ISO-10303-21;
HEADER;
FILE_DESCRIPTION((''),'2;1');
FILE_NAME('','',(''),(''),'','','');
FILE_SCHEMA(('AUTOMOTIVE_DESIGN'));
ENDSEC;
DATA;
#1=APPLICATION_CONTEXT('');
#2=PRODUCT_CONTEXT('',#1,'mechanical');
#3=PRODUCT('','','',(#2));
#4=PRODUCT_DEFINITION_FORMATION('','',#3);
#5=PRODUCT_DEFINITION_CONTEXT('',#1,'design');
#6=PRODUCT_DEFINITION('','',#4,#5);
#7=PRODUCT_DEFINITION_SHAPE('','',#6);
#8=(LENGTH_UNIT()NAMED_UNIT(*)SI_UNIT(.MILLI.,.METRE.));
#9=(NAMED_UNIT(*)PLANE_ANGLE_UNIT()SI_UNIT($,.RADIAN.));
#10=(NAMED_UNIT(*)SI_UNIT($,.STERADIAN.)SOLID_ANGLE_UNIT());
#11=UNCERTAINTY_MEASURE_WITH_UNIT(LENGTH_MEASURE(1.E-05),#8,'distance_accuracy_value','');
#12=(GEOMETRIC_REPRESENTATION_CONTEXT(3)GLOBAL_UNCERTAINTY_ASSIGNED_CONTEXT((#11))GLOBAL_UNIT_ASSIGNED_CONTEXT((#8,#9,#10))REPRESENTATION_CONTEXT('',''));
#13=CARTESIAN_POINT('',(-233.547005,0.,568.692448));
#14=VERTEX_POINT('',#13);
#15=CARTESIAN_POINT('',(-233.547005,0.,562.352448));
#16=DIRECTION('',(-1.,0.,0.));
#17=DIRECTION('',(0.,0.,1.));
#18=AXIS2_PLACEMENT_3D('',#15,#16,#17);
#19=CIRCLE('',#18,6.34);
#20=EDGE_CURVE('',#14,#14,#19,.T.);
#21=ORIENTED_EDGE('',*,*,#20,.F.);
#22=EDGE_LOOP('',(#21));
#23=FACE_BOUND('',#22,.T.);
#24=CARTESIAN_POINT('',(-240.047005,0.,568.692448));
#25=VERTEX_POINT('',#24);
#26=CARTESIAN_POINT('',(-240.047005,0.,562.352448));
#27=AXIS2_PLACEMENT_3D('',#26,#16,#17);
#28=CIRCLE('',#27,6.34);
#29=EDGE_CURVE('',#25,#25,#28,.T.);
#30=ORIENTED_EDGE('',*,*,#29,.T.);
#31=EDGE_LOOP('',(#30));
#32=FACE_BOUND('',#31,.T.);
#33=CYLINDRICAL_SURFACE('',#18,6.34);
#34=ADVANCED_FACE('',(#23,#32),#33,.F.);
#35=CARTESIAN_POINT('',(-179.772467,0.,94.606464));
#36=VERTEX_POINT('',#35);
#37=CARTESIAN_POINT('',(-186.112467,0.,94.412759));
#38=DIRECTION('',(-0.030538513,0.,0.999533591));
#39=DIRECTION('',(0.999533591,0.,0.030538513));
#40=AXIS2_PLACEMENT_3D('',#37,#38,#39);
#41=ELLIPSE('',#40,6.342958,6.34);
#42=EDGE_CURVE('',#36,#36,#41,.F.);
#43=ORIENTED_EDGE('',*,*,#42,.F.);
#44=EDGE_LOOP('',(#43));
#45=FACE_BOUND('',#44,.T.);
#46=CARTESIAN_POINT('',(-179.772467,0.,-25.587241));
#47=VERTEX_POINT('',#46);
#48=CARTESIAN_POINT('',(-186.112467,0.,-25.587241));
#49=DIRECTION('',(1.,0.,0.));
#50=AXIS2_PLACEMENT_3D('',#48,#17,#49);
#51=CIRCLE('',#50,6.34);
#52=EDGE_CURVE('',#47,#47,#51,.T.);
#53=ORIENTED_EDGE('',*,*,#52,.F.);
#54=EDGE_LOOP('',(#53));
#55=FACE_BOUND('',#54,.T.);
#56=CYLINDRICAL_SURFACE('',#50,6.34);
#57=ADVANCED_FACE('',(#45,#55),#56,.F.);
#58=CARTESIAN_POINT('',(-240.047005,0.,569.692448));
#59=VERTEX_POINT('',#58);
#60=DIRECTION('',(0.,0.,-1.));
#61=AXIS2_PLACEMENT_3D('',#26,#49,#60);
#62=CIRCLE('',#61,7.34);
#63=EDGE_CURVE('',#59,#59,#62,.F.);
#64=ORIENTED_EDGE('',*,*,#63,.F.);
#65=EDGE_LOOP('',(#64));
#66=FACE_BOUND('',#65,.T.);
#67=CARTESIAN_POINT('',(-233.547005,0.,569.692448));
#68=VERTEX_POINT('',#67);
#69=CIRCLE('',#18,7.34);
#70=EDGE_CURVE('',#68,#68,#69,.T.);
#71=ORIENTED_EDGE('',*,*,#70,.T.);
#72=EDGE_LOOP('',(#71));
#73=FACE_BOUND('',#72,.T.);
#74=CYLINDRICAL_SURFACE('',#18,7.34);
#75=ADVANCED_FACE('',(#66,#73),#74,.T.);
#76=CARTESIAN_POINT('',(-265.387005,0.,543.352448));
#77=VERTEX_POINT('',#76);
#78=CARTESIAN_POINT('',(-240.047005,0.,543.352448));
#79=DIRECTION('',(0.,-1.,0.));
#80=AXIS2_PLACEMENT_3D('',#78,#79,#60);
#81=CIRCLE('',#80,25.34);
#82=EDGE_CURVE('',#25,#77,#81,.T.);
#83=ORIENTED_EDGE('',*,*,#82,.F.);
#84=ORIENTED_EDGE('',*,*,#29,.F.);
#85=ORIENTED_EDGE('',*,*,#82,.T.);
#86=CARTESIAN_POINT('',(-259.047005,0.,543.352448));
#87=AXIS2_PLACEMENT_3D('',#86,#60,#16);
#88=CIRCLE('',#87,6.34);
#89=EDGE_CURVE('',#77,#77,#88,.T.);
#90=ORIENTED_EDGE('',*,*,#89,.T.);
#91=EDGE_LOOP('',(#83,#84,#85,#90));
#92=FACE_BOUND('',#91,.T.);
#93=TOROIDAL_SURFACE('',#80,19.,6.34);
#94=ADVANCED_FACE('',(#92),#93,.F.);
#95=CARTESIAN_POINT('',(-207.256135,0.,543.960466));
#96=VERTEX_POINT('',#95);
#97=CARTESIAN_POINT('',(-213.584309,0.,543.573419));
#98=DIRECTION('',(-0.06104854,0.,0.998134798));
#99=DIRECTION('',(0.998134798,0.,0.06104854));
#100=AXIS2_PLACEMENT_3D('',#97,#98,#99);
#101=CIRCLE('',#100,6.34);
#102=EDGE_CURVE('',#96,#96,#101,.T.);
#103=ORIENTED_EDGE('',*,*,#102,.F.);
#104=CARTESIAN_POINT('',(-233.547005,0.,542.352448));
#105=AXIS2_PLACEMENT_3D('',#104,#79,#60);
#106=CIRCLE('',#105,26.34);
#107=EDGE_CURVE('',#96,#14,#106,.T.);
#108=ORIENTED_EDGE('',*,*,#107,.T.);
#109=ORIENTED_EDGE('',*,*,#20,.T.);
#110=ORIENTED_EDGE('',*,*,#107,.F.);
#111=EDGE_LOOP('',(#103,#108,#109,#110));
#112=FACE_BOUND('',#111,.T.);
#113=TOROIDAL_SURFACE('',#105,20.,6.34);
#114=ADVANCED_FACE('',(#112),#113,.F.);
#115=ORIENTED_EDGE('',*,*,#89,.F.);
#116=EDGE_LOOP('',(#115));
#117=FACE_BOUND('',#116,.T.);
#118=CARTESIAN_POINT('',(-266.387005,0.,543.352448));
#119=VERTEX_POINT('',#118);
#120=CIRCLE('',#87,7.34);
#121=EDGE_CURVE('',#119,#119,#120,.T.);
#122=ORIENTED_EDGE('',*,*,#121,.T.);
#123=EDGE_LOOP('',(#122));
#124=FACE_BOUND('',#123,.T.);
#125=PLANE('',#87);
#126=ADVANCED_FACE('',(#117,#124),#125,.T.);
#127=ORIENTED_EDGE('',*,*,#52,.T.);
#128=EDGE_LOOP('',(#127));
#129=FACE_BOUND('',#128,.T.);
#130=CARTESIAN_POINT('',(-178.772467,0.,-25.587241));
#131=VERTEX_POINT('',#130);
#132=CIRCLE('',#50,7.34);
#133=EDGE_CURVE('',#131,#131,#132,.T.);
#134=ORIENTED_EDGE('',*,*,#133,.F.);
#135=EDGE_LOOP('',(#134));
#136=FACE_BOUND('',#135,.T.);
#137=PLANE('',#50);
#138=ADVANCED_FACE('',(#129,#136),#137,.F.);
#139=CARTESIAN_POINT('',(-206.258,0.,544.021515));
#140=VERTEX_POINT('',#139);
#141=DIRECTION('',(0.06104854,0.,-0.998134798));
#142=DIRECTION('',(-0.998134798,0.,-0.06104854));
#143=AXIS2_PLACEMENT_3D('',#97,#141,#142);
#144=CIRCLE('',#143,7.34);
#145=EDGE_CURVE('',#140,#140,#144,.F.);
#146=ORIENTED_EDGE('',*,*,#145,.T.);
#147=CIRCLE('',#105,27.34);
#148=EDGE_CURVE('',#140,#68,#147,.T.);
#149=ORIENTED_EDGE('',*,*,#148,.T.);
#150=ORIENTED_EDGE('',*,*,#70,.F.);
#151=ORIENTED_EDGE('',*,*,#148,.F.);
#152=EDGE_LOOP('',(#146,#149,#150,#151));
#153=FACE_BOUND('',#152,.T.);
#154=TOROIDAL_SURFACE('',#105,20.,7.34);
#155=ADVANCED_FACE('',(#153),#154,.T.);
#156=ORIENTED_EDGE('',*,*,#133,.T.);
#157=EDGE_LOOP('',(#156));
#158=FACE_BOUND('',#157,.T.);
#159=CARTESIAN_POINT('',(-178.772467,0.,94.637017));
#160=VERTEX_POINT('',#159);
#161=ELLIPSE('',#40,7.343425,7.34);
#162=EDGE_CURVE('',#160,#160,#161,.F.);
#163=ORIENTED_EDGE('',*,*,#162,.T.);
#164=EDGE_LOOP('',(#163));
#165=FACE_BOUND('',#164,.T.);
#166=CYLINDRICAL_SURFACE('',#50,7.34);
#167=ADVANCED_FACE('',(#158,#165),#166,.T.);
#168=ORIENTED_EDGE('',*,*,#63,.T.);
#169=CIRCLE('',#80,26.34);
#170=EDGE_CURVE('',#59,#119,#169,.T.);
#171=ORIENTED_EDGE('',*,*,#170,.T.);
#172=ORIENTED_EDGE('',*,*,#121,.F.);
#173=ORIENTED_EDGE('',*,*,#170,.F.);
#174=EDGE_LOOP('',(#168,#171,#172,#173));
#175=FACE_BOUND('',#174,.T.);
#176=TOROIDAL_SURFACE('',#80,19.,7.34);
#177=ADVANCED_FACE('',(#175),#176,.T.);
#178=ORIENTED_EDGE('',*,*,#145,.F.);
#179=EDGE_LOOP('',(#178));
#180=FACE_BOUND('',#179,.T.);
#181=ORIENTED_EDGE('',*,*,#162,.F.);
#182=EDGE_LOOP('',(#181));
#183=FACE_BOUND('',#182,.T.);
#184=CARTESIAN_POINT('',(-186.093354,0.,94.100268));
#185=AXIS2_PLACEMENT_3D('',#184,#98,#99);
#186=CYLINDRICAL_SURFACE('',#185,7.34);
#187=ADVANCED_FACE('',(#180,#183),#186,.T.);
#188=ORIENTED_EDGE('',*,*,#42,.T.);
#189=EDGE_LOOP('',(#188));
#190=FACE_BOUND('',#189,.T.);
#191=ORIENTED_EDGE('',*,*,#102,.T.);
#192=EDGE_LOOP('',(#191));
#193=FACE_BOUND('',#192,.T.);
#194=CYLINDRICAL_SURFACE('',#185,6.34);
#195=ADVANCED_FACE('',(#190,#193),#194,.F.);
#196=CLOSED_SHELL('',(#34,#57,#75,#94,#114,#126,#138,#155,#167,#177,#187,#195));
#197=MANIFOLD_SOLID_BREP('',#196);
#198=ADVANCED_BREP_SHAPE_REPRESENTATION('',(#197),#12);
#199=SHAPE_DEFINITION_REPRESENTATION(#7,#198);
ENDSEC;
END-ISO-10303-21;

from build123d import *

# Parameters (mm, degrees)
SKETCH7_R   = 7.34
SKETCH7_R_2 = 6.34


with BuildPart() as part:
    # Sweep-Thin1: sweep along a path in Sketch1
    with BuildLine(Plane(origin=(0, 0, 0), x_dir=(1, 0, 0), z_dir=(0, 1, 0))) as sweep_thin1_path:
        Line((-186.112466625, 25.587240645), (-186.112466625, -94.412759355))
        Line((-186.112466625, -94.412759355), (-213.584309415, -543.573418645))
        ThreePointArc((-213.584309415, -543.573418645), (-219.843345577, -556.919867252), (-233.547005384, -562.352447854))
        Line((-233.547005384, -562.352447854), (-240.047005384, -562.352447854))
        ThreePointArc((-240.047005384, -562.352447854), (-253.482034226, -556.787476697), (-259.047005384, -543.352447854))
    # Sketch7 → Sweep-Thin1 (sweep)
    with BuildSketch(Plane(origin=(-259.047005384, 0, 543.352447854), x_dir=(-1, 0, 0), z_dir=(0, 0, -1))):
        Circle(SKETCH7_R)
        Circle(SKETCH7_R_2, mode=Mode.SUBTRACT)
    sweep(path=sweep_thin1_path.line, transition=Transition.RIGHT)


solid = part.part
